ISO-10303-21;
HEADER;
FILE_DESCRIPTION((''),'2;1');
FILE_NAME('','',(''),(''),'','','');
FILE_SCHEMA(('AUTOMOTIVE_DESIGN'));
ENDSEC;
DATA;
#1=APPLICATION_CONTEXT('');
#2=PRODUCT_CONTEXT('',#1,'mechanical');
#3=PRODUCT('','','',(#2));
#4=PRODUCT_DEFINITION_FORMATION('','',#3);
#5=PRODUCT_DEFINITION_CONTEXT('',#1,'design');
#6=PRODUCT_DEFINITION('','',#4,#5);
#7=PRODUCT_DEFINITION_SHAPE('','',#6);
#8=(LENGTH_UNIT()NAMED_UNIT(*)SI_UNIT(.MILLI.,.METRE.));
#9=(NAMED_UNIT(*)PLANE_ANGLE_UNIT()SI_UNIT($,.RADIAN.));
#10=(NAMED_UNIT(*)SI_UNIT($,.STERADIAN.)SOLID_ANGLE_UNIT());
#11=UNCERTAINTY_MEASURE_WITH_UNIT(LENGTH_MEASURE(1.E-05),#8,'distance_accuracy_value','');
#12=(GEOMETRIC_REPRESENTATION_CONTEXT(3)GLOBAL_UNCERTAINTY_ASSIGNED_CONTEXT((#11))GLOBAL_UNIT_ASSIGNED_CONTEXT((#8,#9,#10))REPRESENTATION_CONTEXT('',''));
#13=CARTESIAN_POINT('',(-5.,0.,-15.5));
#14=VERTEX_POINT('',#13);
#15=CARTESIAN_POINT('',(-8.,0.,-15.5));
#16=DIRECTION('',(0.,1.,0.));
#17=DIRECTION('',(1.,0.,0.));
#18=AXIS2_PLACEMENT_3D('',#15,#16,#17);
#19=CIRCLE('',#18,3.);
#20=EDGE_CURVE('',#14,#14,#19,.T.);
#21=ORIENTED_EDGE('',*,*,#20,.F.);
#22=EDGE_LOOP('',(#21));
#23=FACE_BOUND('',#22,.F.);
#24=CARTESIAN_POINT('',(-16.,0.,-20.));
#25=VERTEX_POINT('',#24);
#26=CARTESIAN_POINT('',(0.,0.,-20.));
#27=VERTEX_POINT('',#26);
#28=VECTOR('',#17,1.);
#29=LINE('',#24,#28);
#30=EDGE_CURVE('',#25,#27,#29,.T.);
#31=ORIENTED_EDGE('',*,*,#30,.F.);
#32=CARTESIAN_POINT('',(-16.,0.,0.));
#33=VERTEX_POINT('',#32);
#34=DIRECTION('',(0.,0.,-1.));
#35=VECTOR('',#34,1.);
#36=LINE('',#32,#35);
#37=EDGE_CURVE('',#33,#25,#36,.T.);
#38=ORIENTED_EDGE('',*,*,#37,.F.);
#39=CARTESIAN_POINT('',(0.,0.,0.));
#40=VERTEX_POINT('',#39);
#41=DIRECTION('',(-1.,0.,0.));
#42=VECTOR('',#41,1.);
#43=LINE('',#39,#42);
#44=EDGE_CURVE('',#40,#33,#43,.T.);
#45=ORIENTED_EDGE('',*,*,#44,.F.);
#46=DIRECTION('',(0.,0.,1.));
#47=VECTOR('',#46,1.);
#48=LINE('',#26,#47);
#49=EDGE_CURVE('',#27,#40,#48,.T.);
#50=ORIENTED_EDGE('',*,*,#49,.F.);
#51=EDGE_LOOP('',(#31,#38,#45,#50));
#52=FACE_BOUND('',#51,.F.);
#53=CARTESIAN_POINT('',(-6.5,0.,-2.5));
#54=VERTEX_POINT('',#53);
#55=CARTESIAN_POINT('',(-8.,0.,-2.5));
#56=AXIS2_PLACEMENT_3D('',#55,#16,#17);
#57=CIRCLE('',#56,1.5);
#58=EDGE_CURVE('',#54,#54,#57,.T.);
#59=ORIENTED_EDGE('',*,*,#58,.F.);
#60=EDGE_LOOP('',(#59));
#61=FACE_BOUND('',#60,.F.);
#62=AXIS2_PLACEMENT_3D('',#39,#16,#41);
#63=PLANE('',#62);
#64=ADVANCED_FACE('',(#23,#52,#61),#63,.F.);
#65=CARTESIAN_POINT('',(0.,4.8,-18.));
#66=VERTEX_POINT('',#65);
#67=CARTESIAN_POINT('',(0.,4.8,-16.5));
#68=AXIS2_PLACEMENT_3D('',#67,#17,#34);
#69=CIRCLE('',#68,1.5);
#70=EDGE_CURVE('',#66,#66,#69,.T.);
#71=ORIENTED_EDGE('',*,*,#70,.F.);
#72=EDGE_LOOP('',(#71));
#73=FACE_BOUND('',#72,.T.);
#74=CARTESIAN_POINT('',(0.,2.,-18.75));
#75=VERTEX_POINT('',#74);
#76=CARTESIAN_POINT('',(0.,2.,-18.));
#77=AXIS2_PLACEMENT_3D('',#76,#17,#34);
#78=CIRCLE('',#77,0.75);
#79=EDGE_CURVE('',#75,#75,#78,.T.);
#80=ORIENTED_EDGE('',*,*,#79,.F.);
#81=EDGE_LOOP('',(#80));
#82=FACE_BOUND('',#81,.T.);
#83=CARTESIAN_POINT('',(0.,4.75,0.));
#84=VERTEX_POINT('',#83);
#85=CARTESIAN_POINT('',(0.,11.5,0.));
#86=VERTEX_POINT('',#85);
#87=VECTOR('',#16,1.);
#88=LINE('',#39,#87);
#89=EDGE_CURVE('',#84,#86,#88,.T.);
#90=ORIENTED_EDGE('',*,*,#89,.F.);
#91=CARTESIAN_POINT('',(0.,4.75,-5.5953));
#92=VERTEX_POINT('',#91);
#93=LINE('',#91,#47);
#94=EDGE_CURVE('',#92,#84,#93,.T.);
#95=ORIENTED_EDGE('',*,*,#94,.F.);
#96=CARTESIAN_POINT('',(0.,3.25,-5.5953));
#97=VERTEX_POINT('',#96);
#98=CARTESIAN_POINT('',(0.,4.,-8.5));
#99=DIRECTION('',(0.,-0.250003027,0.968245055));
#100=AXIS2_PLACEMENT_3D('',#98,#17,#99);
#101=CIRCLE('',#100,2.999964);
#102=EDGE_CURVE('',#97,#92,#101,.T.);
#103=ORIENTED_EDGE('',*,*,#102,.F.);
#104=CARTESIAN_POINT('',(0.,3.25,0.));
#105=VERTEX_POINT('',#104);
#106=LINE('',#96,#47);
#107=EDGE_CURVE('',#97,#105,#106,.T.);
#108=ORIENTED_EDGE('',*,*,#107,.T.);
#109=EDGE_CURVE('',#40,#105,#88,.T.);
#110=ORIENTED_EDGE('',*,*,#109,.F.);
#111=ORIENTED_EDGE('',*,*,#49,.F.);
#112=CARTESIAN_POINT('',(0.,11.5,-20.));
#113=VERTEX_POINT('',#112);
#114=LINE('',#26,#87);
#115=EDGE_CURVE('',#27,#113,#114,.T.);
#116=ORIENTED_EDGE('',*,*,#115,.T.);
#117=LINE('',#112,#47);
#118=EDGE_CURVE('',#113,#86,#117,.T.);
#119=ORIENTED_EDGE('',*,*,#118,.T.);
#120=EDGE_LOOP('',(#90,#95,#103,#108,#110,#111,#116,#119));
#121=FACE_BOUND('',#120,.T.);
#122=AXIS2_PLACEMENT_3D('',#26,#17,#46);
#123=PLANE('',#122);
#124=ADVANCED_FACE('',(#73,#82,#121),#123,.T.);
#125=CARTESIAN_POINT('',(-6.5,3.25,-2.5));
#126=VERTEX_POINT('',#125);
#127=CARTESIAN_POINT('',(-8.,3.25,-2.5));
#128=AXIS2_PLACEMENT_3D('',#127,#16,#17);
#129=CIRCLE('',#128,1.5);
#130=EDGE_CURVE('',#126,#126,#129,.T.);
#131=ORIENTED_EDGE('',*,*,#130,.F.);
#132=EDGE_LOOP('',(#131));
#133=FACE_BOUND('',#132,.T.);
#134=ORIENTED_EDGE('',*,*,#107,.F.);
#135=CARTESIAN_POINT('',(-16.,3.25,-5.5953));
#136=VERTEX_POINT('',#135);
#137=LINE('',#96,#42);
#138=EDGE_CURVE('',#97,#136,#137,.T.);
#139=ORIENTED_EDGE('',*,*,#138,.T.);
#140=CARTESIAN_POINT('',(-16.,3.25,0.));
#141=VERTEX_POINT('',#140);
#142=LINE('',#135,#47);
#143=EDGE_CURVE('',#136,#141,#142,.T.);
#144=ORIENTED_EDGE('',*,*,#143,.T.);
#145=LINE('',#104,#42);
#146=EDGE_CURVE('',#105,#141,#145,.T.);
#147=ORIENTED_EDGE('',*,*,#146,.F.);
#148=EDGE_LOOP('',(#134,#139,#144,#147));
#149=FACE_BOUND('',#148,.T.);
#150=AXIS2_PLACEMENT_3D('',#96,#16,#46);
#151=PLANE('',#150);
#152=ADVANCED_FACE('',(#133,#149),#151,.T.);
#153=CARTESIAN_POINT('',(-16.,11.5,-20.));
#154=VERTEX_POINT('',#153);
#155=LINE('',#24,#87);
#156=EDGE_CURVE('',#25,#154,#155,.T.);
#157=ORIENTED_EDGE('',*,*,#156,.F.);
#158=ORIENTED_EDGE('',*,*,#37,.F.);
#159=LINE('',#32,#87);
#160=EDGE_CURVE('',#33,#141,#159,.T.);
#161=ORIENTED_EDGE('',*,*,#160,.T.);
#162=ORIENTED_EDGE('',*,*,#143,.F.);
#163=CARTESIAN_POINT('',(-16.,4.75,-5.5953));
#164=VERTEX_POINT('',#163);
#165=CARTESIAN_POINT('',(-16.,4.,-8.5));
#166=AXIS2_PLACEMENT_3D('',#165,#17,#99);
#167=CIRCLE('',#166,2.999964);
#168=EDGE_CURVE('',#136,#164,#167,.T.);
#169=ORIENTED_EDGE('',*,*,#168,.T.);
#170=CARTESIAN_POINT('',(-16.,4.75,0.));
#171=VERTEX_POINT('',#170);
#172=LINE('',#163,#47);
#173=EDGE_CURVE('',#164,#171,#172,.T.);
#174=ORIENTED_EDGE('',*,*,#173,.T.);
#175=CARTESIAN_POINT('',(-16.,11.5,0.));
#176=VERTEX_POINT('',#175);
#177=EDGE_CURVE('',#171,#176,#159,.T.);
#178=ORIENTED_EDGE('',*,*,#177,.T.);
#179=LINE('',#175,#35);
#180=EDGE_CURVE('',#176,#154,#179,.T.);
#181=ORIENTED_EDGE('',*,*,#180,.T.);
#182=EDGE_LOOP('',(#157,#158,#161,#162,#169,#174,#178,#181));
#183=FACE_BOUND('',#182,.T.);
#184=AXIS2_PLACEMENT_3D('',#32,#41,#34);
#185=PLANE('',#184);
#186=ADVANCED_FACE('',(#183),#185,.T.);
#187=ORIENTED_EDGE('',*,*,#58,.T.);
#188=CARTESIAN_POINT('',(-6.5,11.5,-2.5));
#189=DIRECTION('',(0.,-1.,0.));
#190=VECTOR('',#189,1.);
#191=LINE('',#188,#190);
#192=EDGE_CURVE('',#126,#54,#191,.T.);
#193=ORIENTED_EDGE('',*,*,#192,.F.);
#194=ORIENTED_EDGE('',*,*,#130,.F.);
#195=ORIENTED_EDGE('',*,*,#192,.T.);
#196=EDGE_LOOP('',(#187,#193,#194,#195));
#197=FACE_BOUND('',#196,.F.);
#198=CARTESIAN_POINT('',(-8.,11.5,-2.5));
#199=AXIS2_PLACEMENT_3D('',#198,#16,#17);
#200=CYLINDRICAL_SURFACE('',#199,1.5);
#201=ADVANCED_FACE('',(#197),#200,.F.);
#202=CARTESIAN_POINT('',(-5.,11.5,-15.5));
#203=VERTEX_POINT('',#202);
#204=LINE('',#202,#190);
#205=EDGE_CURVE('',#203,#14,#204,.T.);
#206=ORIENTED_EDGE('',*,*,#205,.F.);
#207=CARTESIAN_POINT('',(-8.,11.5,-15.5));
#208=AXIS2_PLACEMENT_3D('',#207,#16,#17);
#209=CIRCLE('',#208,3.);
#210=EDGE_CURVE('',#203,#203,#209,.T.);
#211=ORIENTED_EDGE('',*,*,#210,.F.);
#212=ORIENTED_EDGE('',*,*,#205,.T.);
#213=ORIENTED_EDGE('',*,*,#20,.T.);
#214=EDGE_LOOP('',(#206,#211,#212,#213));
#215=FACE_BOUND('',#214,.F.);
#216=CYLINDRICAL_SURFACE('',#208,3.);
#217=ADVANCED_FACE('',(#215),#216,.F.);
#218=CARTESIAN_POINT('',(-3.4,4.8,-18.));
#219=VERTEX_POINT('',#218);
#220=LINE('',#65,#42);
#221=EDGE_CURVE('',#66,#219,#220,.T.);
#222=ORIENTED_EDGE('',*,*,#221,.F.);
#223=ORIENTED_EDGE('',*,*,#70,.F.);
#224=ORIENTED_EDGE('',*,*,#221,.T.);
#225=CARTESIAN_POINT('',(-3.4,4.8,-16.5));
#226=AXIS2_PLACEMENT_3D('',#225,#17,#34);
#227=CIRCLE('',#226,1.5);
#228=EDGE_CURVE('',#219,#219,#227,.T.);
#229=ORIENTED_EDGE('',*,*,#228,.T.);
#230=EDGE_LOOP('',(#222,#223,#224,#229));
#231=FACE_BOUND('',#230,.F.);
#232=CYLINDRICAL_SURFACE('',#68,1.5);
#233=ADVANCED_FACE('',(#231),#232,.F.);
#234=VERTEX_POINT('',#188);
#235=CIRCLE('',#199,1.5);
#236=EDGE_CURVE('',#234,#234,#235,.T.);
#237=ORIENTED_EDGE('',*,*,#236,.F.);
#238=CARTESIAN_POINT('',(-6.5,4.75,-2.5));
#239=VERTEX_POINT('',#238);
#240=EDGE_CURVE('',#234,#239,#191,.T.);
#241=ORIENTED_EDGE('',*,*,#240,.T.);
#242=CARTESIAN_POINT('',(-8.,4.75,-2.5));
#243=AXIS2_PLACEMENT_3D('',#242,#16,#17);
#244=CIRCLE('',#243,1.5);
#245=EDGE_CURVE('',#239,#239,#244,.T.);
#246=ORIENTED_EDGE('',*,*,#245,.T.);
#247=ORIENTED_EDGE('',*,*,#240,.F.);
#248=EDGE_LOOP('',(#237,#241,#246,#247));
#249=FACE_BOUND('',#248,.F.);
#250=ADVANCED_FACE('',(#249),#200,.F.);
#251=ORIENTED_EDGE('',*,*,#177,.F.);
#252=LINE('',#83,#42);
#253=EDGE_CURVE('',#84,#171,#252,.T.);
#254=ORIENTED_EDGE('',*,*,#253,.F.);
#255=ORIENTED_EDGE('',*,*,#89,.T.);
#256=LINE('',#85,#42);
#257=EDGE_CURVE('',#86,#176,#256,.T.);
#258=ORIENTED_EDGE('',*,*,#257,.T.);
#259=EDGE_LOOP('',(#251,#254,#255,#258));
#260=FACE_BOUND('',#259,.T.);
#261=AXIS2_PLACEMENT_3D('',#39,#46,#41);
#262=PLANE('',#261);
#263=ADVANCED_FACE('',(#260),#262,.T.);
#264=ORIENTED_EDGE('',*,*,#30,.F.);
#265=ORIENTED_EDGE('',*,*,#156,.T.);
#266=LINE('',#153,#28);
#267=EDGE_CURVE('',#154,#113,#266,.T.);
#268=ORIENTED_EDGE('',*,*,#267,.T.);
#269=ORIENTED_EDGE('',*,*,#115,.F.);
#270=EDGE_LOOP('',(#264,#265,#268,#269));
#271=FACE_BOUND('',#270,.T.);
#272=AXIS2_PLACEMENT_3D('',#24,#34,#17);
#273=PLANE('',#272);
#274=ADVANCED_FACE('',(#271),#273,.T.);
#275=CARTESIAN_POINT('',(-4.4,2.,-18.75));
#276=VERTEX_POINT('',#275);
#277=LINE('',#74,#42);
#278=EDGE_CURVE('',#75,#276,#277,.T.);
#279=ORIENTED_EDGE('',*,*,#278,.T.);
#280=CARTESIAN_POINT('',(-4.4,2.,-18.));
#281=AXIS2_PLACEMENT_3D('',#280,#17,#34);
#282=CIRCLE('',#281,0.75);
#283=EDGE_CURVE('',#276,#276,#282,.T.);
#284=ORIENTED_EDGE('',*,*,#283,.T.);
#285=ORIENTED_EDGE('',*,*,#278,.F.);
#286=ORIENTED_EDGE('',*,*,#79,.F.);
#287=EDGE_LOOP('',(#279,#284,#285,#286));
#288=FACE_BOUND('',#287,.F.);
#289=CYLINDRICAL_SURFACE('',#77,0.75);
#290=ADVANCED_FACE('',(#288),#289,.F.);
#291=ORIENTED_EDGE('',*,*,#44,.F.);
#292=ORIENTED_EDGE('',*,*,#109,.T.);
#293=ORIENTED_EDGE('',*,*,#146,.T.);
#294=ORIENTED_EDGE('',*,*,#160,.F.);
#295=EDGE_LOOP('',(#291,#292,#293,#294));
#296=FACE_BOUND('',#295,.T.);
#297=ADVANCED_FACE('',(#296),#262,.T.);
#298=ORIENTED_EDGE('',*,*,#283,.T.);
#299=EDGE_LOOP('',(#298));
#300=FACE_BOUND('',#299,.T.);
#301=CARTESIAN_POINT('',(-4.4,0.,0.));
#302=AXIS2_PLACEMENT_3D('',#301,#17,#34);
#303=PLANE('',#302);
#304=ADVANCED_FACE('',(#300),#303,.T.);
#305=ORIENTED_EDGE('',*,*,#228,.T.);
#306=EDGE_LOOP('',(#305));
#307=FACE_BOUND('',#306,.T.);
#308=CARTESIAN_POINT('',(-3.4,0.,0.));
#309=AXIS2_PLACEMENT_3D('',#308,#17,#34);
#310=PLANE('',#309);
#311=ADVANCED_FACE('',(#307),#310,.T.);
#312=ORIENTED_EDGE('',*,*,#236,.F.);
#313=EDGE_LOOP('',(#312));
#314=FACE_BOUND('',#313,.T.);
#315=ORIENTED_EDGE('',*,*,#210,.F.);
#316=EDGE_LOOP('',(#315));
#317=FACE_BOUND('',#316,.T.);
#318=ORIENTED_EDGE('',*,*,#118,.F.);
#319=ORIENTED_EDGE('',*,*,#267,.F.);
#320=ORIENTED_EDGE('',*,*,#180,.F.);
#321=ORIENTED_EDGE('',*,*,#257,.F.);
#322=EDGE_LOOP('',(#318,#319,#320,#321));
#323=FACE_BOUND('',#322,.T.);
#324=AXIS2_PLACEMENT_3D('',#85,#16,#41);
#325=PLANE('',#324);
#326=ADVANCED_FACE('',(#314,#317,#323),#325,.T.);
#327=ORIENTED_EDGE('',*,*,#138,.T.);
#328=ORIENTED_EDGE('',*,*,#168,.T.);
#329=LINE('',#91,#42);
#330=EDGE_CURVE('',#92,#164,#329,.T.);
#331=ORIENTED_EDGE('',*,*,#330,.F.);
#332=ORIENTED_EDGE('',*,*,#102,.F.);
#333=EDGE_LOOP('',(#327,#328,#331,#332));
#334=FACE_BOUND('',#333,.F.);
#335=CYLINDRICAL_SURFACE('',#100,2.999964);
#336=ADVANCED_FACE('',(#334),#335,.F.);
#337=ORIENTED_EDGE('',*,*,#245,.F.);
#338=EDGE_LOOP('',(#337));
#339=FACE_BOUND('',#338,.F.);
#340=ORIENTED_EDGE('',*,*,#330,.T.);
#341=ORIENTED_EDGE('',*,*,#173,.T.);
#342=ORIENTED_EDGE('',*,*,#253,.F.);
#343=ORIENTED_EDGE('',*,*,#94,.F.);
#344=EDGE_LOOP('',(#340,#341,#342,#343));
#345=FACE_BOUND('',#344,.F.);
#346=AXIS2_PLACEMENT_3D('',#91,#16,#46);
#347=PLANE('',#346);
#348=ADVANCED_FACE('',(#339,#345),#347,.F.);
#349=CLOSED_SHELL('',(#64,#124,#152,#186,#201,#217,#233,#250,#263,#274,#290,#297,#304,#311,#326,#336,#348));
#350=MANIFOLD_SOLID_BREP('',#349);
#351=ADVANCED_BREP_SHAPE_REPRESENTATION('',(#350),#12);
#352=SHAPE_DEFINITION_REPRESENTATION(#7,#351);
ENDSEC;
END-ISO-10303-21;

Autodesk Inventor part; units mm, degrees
ref_plane "YZ Plane" through (0, 0, 0) normal (1, 0, 0) x (0, 1, 0)
ref_plane "XZ Plane" through (0, 0, 0) normal (0, 1, 0) x (-1, 0, 0)
ref_plane "XY Plane" through (0, 0, 0) normal (0, 0, 1) x (1, 0, 0)
sketch "Sketch1" plane through (0, 0, 0) normal (0, 1, 0) x (-1, 0, 0)
  line L0 (0, 0) -> (16, 0)
  line L1 (16, 0) -> (16, -20)
  line L2 (16, -20) -> (0, -20)
  line L3 (0, -20) -> (0, 0)
  dimension "d0" = 16
  dimension "d1" = 20
extrude "Extrusion1" add sketch "Sketch1" along normal blind 11.5
sketch "Sketch2" plane through (0, 11.5, 0) normal (0, 1, 0) x (1, 0, 0)
  line L0 (0, 0) -> (0, 20) projected
  line L1 (0, 20) -> (-16, 20) projected
  circle A0 centre (-8, 15.5) radius 3
  dimension "d4" = 6
  dimension "d5" = 8
  dimension "d6" = 4.5
extrude "Extrusion2" cut sketch "Sketch2" against normal up to surface (11.5 mm away)
sketch "Sketch3" plane through (0, 11.5, 0) normal (0, 1, 0) x (1, 0, 0)
  line L0 (0, 0) -> (0, 20) projected
  line L1 (0, 20) -> (-16, 20) projected
  circle A0 centre (-8, 2.5) radius 1.5
  dimension "d9" = 3
  dimension "d11" = 17.5
  dimension "d12" = 8
extrude "Extrusion3" cut sketch "Sketch3" against normal up to surface (11.5 mm away)
sketch "Sketch4" plane through (0, 0, 0) normal (1, 0, 0) x (0, 0, -1)
  line L0 (20, 0) -> (0, 0) projected
  line L1 (20, 0) -> (20, 11.5) projected
  line L2 (0, 0) -> (0, 11.5) projected
  arc A0 (5.5953, 3.25) -> (5.5953, 4.75) centre (8.5, 4) ccw
  line L3 (5.5953, 4.75) -> (0, 4.75)
  line L4 (5.5953, 3.25) -> (0, 3.25)
  dimension "d15" = 6
  dimension "d16" = 11.5
  dimension "d17" = 4
  dimension "d18" = 1.5
  dimension "d19" = 0.75
extrude "Extrusion4" cut sketch "Sketch4" against normal up to surface (16 mm away)
sketch "Sketch5" plane through (0, 0, 0) normal (1, 0, 0) x (0, 0, -1)
  line L0 (20, 0) -> (0, 0) projected
  line L1 (20, 0) -> (20, 11.5) projected
  circle A0 centre (18, 2) radius 0.75
  dimension "d22" = 1.5
  dimension "d24" = 2
  dimension "d25" = 2
extrude "Extrusion5" cut sketch "Sketch5" against normal blind 4.4
sketch "Sketch6" plane through (0, 0, 0) normal (1, 0, 0) x (0, 0, -1)
  line L0 (20, 0) -> (0, 0) projected
  line L1 (20, 0) -> (20, 11.5) projected
  circle A0 centre (16.5, 4.8) radius 1.5
  dimension "d28" = 3
  dimension "d29" = 4.8
  dimension "d30" = 3.5
extrude "Extrusion6" cut sketch "Sketch6" against normal blind 3.4
thread "Thread1" size "M3x0.5" class "6H" standard "ANSI Metric M Profile" full length
thread "Thread2" size "M6x1" class "6H" standard "ANSI Metric M Profile" full length
thread "Thread3" size "M3x0.5" class "6H" standard "ANSI Metric M Profile" full length
properties part number "E3DV6NozzleBlock" material "Aluminum 6061"
